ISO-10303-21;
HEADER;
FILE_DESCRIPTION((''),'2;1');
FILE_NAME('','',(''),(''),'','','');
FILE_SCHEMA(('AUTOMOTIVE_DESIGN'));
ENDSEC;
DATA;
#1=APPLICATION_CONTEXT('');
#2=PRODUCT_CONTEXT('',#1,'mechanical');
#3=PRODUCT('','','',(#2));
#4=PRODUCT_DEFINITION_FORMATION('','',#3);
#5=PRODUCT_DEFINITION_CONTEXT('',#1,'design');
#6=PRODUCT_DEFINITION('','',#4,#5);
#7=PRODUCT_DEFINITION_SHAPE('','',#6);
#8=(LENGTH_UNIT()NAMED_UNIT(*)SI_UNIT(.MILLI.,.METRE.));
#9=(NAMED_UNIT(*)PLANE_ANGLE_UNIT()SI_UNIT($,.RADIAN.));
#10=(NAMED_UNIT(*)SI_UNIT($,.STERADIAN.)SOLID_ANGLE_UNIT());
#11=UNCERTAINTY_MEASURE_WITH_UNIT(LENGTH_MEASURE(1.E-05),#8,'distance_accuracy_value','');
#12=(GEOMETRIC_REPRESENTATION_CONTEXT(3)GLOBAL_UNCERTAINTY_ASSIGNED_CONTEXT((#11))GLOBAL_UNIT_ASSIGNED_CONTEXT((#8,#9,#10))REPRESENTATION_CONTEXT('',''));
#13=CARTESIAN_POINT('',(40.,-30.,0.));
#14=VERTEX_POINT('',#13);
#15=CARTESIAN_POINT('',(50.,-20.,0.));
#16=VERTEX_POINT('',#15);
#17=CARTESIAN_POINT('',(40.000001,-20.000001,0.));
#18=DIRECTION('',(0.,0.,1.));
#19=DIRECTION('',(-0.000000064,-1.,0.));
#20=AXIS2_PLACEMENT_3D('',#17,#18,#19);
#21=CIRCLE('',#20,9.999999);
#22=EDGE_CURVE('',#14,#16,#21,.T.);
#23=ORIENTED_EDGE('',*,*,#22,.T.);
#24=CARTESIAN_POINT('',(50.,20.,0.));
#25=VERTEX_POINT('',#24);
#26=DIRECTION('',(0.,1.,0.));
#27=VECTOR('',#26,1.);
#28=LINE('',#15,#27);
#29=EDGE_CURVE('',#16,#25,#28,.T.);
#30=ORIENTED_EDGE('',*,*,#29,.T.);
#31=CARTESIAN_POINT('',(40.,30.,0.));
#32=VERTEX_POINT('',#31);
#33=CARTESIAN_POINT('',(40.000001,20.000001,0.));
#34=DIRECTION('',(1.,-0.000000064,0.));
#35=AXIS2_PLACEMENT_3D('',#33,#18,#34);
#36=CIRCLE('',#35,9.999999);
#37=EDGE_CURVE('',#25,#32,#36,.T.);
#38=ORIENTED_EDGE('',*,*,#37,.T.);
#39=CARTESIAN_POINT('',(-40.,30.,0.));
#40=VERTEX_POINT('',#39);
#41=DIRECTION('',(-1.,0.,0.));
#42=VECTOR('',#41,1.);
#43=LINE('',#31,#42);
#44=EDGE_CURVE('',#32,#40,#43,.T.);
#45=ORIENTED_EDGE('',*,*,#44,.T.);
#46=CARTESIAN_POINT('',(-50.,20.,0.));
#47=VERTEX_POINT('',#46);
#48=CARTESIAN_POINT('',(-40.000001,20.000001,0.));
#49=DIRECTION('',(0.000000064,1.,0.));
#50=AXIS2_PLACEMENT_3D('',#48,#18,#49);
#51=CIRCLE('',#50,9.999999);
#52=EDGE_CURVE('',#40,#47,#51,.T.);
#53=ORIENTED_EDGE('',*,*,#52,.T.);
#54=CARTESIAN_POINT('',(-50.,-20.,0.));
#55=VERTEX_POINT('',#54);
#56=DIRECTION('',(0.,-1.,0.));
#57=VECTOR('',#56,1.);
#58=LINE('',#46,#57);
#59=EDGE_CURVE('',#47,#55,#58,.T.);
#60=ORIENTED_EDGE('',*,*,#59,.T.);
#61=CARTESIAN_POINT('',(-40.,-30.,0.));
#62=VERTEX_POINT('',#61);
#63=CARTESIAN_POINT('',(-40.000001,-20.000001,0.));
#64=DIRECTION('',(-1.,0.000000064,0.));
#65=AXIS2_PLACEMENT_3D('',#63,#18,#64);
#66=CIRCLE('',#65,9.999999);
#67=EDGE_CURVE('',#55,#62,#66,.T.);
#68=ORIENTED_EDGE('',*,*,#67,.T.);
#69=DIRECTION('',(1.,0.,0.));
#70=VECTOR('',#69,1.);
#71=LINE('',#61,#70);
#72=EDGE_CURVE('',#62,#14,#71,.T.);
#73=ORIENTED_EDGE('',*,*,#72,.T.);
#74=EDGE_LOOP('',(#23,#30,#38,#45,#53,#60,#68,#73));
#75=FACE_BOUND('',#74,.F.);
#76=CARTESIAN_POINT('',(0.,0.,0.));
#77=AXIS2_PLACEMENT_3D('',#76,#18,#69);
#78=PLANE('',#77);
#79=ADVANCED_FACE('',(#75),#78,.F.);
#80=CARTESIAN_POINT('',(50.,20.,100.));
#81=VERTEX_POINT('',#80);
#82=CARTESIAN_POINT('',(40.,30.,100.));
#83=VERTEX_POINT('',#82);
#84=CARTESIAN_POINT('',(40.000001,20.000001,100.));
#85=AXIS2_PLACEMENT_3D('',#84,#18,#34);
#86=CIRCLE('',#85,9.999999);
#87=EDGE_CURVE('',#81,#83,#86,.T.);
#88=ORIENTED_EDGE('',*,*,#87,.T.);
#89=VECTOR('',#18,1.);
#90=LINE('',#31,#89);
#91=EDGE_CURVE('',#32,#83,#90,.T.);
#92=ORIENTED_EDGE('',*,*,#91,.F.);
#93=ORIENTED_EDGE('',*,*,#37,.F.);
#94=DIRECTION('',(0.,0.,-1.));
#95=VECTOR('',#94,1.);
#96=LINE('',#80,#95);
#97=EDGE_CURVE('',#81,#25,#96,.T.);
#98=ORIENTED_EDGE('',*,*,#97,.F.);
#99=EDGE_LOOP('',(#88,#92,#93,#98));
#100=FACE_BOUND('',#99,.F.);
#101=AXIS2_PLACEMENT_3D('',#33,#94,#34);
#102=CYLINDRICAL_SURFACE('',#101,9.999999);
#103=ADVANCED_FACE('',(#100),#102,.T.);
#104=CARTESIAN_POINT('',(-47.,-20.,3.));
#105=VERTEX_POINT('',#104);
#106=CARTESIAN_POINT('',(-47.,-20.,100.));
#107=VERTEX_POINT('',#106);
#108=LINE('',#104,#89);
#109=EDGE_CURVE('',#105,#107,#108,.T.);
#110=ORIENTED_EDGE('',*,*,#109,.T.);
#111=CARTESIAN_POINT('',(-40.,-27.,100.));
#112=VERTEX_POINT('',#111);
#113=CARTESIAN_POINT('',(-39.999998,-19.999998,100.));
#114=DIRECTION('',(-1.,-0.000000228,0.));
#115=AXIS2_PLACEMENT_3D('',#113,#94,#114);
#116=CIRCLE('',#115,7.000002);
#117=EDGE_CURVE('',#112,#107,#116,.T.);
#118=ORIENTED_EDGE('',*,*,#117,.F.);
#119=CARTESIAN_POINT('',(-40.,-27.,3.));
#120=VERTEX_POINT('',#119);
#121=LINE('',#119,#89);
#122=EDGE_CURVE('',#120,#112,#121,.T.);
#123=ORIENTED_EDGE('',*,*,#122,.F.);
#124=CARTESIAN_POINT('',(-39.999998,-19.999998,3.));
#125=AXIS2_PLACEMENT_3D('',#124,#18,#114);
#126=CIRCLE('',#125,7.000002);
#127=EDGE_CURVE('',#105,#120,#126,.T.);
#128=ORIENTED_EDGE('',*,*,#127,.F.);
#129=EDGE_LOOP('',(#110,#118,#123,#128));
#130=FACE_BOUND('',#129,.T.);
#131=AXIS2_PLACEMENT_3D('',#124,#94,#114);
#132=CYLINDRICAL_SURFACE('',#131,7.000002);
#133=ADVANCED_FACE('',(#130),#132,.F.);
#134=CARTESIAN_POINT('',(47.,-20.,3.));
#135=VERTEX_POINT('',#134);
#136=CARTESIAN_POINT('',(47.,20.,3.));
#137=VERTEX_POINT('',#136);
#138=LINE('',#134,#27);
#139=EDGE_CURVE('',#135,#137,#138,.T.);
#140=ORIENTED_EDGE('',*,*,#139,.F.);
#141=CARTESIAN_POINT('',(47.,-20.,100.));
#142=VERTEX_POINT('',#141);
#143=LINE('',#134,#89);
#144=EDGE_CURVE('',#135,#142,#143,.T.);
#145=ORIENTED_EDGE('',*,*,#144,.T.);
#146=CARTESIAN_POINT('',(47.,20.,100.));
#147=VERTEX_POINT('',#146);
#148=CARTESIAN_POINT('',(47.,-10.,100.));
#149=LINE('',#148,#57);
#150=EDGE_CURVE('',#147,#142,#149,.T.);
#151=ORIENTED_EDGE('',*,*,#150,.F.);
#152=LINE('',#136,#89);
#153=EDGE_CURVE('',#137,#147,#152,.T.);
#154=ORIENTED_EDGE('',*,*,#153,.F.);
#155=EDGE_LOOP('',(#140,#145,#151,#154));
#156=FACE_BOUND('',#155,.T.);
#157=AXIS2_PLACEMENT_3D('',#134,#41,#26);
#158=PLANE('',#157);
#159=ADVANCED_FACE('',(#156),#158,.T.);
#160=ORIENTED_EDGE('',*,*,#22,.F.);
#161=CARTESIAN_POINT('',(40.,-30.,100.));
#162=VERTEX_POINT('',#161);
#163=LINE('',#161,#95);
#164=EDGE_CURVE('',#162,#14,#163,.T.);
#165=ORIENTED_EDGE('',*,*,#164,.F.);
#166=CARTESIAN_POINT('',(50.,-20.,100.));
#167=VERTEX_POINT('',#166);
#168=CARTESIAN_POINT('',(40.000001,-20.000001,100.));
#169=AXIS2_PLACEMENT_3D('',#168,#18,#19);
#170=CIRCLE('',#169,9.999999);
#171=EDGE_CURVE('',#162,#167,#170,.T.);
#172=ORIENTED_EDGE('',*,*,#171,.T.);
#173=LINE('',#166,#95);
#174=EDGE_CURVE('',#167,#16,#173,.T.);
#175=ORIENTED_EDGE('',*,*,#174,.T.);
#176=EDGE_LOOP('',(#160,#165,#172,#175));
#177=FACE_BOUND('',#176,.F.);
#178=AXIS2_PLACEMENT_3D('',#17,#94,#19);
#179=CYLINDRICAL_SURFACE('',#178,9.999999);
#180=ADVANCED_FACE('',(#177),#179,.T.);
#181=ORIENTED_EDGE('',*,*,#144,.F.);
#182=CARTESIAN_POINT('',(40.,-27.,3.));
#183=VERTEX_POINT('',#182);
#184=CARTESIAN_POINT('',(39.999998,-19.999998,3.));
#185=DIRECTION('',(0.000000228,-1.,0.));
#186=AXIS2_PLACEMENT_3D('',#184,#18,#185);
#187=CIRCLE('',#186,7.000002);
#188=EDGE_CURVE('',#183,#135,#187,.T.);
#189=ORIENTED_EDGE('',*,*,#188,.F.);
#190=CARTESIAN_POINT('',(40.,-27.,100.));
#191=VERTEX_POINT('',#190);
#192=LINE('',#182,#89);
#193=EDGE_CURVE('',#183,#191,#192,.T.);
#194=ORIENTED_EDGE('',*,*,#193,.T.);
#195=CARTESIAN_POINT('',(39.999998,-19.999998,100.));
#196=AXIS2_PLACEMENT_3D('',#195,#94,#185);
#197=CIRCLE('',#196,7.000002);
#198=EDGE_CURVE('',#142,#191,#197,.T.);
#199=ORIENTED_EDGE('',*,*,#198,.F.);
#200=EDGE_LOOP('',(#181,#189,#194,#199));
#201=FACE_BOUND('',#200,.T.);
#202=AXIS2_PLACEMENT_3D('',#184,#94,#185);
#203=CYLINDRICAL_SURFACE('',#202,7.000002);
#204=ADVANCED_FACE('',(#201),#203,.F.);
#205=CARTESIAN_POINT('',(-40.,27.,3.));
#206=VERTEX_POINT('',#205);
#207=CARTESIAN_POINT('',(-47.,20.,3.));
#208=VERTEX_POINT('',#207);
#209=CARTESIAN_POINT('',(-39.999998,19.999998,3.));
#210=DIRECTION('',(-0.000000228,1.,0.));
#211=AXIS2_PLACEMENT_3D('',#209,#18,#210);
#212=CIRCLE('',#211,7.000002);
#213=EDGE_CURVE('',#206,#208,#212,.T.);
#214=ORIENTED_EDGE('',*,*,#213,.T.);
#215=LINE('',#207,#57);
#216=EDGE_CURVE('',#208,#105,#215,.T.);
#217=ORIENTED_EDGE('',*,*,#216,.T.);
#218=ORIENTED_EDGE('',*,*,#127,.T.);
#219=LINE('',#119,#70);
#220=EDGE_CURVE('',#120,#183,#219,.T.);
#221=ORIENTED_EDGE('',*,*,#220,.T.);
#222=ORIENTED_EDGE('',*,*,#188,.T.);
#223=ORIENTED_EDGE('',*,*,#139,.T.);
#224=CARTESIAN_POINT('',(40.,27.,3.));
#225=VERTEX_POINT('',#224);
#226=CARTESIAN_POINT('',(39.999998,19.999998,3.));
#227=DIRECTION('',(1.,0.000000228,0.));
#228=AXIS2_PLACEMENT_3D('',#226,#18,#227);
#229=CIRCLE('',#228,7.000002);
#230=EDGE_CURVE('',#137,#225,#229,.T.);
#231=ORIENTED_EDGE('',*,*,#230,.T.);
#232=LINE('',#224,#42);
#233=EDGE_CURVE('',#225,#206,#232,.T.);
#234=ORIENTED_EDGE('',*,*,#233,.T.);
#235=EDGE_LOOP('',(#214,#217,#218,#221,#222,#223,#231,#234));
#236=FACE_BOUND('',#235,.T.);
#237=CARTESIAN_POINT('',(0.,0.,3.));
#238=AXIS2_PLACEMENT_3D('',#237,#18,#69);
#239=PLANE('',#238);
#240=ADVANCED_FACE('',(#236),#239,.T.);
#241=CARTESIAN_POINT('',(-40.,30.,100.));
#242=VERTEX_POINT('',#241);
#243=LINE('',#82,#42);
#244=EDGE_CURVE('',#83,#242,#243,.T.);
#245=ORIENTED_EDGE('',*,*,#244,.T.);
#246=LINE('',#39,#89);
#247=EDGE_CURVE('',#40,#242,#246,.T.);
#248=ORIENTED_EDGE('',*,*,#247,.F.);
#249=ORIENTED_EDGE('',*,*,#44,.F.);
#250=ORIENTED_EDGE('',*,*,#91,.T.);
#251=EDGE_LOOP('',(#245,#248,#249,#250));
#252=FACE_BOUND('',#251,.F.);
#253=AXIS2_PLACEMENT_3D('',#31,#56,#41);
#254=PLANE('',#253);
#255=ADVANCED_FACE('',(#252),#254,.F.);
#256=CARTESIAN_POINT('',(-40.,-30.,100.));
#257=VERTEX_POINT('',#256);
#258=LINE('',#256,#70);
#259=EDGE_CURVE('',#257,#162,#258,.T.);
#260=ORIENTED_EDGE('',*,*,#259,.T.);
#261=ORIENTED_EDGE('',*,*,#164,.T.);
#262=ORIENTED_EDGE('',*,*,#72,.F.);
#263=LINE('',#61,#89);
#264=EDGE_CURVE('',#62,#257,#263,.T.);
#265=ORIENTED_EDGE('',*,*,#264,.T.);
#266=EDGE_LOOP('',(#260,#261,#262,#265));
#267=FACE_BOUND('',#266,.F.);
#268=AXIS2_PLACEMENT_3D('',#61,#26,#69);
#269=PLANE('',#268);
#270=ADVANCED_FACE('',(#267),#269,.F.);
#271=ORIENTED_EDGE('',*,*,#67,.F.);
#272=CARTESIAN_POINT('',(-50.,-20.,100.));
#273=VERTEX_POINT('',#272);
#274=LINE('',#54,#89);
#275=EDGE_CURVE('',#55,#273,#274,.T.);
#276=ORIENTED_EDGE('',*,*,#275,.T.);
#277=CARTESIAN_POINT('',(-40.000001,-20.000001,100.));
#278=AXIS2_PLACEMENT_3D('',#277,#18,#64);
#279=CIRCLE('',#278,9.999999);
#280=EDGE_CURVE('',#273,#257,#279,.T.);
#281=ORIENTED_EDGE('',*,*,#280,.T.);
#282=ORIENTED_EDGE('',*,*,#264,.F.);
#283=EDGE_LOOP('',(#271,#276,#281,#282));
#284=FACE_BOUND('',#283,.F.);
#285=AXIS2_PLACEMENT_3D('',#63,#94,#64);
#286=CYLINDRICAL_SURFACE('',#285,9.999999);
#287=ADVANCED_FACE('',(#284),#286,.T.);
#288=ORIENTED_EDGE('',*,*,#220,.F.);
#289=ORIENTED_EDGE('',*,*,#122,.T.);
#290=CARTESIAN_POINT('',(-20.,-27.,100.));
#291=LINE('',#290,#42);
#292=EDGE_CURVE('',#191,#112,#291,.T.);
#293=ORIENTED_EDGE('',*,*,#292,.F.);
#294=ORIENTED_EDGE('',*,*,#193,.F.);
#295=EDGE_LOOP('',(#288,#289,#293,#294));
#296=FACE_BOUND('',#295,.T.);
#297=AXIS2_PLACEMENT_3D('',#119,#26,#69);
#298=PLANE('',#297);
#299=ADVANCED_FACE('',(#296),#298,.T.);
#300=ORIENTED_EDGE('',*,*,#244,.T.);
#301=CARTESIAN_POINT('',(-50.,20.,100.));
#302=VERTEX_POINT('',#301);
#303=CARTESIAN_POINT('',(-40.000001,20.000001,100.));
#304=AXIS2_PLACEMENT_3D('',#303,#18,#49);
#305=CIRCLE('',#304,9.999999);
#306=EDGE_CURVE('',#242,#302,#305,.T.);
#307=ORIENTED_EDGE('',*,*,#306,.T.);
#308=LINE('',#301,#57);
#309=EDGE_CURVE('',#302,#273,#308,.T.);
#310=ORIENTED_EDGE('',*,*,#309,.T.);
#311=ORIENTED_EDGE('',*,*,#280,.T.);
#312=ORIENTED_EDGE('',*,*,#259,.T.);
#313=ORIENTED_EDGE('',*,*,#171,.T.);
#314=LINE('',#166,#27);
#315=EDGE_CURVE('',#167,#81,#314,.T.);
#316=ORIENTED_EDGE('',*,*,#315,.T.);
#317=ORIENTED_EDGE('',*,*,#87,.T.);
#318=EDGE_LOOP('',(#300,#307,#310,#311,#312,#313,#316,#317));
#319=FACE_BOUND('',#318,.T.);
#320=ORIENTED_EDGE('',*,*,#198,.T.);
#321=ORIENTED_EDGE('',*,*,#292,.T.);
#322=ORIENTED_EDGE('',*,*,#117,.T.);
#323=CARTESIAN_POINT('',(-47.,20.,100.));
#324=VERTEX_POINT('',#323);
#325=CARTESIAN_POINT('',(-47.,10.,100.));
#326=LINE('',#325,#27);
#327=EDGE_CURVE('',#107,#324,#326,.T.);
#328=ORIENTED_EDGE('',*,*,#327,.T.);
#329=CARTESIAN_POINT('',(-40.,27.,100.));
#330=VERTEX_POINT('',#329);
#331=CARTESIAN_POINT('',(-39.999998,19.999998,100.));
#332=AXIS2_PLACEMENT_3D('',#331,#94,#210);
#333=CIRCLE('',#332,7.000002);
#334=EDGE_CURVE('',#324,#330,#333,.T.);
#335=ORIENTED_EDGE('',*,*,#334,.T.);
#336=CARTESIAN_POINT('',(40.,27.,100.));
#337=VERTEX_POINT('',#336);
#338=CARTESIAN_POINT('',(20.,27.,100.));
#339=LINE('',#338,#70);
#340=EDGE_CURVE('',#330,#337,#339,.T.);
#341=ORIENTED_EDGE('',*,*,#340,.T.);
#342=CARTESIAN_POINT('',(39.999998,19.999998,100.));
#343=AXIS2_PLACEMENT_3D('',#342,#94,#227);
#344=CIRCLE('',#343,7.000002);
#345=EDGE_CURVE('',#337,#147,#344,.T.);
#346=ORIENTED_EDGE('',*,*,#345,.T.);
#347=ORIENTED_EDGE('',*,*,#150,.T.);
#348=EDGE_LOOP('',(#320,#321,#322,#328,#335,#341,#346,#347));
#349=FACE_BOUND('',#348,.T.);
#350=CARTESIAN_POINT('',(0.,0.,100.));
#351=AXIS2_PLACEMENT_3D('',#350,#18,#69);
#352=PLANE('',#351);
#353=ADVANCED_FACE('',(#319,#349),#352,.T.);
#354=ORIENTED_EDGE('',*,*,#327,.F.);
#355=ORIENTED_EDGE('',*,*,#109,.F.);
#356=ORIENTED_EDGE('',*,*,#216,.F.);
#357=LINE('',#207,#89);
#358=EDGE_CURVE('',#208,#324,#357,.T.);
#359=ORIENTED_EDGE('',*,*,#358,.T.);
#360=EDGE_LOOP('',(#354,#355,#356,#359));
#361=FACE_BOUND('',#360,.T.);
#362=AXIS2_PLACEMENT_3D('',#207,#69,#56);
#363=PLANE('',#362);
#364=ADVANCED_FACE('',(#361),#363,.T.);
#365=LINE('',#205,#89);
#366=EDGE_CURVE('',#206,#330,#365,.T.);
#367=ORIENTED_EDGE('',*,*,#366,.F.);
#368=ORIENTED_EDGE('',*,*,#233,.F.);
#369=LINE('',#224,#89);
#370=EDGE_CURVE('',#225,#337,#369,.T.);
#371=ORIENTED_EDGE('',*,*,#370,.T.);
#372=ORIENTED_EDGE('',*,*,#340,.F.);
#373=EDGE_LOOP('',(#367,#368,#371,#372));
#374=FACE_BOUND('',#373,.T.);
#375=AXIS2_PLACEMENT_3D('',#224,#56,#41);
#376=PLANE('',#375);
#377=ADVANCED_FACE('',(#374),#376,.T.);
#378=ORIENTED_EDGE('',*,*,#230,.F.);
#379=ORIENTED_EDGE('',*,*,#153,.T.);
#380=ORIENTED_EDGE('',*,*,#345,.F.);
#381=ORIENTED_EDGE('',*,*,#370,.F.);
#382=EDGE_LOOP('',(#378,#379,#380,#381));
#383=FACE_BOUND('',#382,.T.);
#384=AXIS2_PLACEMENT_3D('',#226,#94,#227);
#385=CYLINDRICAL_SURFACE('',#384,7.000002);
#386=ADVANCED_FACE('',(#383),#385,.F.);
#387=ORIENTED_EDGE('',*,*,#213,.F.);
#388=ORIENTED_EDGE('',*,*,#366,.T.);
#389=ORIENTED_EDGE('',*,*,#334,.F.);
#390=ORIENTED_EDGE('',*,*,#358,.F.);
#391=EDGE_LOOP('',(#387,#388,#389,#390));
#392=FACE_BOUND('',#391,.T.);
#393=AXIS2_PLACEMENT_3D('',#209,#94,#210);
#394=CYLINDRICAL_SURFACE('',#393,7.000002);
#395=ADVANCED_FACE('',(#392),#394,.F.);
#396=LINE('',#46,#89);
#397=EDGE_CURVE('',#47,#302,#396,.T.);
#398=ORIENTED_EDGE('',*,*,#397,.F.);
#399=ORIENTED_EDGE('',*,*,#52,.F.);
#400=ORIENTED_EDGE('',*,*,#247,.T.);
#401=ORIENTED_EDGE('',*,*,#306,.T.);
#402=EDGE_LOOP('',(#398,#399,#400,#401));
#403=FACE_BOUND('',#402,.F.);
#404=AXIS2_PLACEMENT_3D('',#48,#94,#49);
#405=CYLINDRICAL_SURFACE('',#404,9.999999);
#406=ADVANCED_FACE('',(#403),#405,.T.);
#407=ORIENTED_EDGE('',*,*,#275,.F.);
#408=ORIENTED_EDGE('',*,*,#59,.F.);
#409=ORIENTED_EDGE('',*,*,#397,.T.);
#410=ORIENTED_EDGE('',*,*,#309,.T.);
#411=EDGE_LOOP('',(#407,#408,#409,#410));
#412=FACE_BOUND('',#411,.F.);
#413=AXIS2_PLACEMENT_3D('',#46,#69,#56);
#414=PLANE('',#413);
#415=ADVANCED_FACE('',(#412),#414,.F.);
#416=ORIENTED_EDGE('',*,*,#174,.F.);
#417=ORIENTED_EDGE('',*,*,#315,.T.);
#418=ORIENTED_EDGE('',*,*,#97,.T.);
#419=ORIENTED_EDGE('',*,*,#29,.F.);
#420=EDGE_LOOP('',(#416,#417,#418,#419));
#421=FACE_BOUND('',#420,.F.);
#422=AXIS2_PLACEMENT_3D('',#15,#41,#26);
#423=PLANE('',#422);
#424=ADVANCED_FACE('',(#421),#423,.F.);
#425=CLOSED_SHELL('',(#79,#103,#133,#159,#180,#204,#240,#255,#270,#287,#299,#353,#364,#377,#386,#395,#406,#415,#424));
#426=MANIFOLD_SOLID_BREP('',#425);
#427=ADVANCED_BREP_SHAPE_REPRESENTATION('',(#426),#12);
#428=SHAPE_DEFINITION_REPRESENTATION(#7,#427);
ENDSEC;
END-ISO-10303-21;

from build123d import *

# Parameters (mm, degrees)
F1_DEPTH = 3
F3_DEPTH = 100
F4_DEPTH = 100


with BuildPart() as f1:
    # F0 (on Top) → F1 (new body)
    with BuildSketch(Plane.XY):
        with BuildLine():
            ThreePointArc((50, 20), (47.071068, 27.071068), (40, 30))
            Line((40, 30), (-40, 30))
            ThreePointArc((-40, 30), (-47.071068, 27.071068), (-50, 20))
            Line((-50, 20), (-50, -20))
            ThreePointArc((-50, -20), (-47.071068, -27.071068), (-40, -30))
            Line((-40, -30), (40, -30))
            ThreePointArc((40, -30), (47.071068, -27.071068), (50, -20))
            Line((50, -20), (50, 20))
        make_face()
    extrude(amount=F1_DEPTH)

    # F0 (on Top) → F3 (join)
    with BuildSketch(Plane.XY):
        with BuildLine():
            ThreePointArc((50, 20), (47.071068, 27.071068), (40, 30))
            Line((40, 30), (-40, 30))
            ThreePointArc((-40, 30), (-47.071068, 27.071068), (-50, 20))
            Line((-50, 20), (-50, -20))
            ThreePointArc((-50, -20), (-47.071068, -27.071068), (-40, -30))
            Line((-40, -30), (40, -30))
            ThreePointArc((40, -30), (47.071068, -27.071068), (50, -20))
            Line((50, -20), (50, 20))
        make_face()
    extrude(amount=F3_DEPTH)

    # F2 (on face) → F4 (cut)
    with BuildSketch(Plane.XY.offset(3)):
        with BuildLine():
            Line((-47, 20), (-47, -20))
            ThreePointArc((-47, -20), (-44.949747, -24.949747), (-40, -27))
            Line((-40, -27), (40, -27))
            ThreePointArc((40, -27), (44.949747, -24.949747), (47, -20))
            Line((47, -20), (47, 20))
            ThreePointArc((47, 20), (44.949747, 24.949747), (40, 27))
            Line((40, 27), (-40, 27))
            ThreePointArc((-40, 27), (-44.949747, 24.949747), (-47, 20))
        make_face()
    extrude(amount=F4_DEPTH, mode=Mode.SUBTRACT)


solid = f1.part
